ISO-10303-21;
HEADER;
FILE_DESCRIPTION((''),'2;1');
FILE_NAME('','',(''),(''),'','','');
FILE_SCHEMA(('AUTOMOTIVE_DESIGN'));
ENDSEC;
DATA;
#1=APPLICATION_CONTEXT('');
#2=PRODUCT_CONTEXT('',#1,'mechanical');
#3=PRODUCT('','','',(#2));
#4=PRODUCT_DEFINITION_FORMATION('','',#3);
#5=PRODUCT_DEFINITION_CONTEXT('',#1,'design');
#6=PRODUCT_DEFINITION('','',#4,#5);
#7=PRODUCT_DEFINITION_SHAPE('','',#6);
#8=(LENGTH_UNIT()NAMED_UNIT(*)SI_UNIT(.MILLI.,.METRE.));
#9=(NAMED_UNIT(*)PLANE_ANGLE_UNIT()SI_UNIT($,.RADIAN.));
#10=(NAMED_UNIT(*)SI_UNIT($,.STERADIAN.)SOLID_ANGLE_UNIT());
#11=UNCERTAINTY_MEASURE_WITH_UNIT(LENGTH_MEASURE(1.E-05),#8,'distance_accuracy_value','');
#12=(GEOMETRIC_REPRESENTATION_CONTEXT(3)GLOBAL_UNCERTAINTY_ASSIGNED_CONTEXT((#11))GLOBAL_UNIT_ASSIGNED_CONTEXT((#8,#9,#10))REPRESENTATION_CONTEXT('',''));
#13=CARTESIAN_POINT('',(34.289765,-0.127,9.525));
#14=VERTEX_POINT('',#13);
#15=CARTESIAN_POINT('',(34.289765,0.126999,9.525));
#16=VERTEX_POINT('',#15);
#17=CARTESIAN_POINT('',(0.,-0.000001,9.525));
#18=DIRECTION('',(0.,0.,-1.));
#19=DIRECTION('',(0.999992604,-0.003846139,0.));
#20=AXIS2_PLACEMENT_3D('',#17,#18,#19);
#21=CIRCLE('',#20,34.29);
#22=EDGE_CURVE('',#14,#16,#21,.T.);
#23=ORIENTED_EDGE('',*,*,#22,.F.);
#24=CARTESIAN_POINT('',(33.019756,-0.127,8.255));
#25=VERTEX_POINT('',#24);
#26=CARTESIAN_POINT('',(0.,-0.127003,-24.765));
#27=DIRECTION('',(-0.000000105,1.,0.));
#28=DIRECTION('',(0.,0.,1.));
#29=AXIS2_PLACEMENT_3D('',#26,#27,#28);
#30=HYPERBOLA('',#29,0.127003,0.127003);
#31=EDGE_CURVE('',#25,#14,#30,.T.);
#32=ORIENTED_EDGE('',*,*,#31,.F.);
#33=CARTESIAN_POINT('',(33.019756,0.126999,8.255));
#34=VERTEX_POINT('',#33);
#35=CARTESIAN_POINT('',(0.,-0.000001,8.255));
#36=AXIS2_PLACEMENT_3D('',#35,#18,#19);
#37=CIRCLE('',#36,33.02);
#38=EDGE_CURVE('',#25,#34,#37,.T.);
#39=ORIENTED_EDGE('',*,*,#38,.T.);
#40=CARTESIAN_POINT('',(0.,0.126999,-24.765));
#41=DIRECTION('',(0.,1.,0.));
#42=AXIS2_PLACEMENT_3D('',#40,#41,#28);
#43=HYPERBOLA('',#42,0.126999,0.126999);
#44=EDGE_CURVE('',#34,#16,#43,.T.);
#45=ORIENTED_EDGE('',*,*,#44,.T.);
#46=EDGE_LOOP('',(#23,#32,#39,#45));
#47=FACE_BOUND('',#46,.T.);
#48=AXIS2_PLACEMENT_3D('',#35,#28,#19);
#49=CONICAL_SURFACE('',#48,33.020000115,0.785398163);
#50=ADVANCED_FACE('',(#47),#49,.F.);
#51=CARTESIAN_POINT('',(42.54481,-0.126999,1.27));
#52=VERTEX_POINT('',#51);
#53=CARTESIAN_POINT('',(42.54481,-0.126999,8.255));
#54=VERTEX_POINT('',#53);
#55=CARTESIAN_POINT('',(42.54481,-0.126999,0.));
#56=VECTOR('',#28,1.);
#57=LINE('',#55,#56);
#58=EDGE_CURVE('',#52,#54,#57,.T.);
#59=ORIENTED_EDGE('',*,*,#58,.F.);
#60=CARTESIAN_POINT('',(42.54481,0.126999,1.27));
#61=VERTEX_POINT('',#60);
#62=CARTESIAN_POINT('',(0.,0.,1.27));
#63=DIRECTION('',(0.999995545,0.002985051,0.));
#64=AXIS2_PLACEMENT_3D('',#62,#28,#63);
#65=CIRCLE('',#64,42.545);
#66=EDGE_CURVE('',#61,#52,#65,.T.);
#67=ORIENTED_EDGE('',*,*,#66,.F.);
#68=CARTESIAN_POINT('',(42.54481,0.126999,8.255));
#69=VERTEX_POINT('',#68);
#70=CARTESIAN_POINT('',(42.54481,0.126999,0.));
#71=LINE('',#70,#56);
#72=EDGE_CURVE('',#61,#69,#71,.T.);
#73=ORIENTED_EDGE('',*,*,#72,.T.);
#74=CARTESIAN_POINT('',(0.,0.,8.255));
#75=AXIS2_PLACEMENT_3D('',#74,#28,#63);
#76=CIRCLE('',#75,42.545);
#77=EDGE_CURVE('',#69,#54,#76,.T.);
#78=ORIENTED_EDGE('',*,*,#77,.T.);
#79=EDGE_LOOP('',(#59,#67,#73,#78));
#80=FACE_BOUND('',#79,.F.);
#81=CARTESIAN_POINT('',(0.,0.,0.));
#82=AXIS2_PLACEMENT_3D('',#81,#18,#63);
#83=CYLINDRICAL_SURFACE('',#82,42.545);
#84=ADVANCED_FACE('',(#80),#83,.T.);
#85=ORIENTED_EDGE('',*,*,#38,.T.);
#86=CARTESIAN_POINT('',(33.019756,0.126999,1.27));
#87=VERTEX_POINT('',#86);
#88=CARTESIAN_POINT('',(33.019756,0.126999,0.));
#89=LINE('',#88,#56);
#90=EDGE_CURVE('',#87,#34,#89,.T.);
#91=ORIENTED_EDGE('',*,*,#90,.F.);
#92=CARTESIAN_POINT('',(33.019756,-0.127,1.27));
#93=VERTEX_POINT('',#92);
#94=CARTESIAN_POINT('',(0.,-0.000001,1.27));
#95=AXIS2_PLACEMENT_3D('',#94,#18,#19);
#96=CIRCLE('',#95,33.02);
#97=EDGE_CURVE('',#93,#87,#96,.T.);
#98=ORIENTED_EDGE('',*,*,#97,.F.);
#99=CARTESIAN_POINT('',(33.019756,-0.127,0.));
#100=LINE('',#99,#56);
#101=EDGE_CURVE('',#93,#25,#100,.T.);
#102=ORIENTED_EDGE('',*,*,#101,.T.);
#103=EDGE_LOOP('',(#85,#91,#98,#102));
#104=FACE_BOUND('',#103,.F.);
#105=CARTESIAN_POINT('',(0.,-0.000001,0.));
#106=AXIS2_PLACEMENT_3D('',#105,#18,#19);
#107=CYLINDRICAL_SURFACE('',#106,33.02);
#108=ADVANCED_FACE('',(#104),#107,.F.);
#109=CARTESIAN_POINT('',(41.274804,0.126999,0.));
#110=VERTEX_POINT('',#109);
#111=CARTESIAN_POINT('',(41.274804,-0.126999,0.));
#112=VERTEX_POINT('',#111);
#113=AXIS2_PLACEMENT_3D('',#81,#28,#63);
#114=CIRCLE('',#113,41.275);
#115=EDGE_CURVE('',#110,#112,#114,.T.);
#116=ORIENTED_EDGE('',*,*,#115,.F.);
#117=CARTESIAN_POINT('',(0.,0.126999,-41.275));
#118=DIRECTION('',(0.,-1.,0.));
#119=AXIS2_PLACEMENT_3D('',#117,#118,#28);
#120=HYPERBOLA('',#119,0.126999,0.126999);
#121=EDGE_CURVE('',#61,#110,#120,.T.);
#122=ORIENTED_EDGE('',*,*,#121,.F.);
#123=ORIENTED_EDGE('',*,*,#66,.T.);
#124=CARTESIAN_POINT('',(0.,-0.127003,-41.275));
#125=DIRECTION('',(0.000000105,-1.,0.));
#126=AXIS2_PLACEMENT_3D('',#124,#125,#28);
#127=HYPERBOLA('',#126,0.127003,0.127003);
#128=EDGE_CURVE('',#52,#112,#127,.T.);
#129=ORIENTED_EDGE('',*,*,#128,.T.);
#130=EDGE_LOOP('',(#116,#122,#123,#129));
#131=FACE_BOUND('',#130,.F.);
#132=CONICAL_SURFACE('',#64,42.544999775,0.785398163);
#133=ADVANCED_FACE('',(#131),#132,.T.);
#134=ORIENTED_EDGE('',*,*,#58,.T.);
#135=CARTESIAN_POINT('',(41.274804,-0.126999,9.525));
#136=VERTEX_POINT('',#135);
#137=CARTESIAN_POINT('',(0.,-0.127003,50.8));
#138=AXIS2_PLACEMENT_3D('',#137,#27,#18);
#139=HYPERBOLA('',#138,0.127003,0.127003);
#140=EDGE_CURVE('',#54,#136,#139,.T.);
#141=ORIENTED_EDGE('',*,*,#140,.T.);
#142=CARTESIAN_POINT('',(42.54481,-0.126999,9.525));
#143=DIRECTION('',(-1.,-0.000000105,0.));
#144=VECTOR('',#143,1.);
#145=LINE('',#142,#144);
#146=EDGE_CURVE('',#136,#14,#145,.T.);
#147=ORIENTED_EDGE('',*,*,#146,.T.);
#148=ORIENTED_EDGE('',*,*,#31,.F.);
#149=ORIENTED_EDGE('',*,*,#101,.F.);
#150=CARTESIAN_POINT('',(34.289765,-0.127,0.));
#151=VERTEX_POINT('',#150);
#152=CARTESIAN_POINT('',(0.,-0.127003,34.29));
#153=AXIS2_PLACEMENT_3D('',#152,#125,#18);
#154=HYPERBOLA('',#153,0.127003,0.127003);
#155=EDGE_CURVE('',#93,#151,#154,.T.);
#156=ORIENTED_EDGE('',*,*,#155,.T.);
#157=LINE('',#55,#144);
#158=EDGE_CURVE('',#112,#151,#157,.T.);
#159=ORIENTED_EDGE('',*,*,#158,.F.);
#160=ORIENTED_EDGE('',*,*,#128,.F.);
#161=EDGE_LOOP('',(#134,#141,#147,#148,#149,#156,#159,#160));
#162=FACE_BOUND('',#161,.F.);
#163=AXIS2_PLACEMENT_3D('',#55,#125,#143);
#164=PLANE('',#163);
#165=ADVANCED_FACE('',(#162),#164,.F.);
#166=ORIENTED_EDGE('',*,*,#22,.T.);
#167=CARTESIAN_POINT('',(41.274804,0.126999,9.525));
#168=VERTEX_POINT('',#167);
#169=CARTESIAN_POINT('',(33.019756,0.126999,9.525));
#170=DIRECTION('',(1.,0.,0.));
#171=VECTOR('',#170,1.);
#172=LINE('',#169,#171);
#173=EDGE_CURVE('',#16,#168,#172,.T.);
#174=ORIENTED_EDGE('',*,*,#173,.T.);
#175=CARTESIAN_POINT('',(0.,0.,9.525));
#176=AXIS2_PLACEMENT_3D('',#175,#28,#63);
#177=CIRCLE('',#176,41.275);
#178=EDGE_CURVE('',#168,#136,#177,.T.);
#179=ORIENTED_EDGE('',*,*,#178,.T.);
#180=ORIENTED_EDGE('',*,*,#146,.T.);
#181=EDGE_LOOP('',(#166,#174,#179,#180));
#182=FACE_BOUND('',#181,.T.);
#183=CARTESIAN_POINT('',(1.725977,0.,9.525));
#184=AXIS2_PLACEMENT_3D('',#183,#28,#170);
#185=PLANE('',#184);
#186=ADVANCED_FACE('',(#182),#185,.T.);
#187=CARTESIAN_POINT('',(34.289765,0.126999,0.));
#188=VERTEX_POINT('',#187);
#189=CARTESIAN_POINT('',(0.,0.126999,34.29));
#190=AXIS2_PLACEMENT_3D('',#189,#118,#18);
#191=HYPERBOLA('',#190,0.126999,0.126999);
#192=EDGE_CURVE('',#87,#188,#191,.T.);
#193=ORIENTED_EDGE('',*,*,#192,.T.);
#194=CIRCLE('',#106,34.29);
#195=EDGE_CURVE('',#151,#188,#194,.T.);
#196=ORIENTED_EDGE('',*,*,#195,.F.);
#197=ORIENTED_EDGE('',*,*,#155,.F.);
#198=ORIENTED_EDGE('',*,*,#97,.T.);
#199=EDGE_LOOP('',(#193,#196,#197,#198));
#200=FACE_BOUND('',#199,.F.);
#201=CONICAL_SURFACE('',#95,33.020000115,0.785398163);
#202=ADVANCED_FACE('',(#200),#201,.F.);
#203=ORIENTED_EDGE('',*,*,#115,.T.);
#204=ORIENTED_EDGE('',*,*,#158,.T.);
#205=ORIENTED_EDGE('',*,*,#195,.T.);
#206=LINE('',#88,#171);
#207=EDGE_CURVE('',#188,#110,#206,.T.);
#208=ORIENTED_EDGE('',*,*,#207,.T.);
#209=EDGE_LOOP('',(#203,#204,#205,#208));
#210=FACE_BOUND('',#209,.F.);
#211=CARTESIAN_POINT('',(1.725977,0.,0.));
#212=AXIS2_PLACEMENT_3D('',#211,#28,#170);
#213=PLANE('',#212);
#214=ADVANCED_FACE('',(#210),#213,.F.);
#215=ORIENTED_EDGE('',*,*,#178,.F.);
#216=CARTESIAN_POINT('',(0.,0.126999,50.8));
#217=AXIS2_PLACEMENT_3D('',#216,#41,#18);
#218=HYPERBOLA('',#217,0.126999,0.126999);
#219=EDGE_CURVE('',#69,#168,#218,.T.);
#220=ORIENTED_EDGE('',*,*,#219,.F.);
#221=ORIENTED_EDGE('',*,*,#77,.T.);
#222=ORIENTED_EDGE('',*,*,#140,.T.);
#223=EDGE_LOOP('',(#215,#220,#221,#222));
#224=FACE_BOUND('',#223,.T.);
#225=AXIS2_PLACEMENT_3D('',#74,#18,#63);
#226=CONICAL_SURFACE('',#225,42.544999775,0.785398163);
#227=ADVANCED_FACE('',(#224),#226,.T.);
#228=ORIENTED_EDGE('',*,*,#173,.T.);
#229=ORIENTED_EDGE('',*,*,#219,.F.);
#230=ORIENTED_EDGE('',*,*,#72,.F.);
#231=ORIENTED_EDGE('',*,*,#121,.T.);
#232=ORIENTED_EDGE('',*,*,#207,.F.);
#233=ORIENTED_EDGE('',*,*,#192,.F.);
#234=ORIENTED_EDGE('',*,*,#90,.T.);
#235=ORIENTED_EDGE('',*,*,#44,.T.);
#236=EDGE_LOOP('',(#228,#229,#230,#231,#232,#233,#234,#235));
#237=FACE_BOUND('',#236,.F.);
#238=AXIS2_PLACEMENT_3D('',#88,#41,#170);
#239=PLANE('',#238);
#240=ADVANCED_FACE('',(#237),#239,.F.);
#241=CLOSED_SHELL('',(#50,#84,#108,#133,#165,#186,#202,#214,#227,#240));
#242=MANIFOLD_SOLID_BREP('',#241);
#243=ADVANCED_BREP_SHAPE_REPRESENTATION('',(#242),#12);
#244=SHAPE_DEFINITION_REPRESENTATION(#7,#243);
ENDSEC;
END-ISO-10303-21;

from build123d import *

# Parameters (mm, degrees)
F1_DEPTH = 9.525
F2_SIZE  = 1.27


with BuildPart() as f1:
    # F0 (on Top) → F1 (new body)
    with BuildSketch(Plane.XY):
        with BuildLine():
            ThreePointArc((33.019756, -0.127), (-33.02, 0), (33.019756, 0.126999))
            Line((33.019756, 0.126999), (42.54481, 0.126999))
            ThreePointArc((42.54481, 0.126999), (-42.545, 0), (42.54481, -0.126999))
            Line((42.54481, -0.126999), (33.019756, -0.127))
        make_face()
    extrude(amount=F1_DEPTH)

    # F2
    f2_edges = [f1.edges().sort_by_distance(p)[0] for p in [
        (-42.545, 0, 9.525),
        (-42.545, 0, 0),
        (-33.02, 0, 9.525),
        (-33.02, 0, 0),
    ]]
    chamfer(f2_edges, length=F2_SIZE)


solid = f1.part
